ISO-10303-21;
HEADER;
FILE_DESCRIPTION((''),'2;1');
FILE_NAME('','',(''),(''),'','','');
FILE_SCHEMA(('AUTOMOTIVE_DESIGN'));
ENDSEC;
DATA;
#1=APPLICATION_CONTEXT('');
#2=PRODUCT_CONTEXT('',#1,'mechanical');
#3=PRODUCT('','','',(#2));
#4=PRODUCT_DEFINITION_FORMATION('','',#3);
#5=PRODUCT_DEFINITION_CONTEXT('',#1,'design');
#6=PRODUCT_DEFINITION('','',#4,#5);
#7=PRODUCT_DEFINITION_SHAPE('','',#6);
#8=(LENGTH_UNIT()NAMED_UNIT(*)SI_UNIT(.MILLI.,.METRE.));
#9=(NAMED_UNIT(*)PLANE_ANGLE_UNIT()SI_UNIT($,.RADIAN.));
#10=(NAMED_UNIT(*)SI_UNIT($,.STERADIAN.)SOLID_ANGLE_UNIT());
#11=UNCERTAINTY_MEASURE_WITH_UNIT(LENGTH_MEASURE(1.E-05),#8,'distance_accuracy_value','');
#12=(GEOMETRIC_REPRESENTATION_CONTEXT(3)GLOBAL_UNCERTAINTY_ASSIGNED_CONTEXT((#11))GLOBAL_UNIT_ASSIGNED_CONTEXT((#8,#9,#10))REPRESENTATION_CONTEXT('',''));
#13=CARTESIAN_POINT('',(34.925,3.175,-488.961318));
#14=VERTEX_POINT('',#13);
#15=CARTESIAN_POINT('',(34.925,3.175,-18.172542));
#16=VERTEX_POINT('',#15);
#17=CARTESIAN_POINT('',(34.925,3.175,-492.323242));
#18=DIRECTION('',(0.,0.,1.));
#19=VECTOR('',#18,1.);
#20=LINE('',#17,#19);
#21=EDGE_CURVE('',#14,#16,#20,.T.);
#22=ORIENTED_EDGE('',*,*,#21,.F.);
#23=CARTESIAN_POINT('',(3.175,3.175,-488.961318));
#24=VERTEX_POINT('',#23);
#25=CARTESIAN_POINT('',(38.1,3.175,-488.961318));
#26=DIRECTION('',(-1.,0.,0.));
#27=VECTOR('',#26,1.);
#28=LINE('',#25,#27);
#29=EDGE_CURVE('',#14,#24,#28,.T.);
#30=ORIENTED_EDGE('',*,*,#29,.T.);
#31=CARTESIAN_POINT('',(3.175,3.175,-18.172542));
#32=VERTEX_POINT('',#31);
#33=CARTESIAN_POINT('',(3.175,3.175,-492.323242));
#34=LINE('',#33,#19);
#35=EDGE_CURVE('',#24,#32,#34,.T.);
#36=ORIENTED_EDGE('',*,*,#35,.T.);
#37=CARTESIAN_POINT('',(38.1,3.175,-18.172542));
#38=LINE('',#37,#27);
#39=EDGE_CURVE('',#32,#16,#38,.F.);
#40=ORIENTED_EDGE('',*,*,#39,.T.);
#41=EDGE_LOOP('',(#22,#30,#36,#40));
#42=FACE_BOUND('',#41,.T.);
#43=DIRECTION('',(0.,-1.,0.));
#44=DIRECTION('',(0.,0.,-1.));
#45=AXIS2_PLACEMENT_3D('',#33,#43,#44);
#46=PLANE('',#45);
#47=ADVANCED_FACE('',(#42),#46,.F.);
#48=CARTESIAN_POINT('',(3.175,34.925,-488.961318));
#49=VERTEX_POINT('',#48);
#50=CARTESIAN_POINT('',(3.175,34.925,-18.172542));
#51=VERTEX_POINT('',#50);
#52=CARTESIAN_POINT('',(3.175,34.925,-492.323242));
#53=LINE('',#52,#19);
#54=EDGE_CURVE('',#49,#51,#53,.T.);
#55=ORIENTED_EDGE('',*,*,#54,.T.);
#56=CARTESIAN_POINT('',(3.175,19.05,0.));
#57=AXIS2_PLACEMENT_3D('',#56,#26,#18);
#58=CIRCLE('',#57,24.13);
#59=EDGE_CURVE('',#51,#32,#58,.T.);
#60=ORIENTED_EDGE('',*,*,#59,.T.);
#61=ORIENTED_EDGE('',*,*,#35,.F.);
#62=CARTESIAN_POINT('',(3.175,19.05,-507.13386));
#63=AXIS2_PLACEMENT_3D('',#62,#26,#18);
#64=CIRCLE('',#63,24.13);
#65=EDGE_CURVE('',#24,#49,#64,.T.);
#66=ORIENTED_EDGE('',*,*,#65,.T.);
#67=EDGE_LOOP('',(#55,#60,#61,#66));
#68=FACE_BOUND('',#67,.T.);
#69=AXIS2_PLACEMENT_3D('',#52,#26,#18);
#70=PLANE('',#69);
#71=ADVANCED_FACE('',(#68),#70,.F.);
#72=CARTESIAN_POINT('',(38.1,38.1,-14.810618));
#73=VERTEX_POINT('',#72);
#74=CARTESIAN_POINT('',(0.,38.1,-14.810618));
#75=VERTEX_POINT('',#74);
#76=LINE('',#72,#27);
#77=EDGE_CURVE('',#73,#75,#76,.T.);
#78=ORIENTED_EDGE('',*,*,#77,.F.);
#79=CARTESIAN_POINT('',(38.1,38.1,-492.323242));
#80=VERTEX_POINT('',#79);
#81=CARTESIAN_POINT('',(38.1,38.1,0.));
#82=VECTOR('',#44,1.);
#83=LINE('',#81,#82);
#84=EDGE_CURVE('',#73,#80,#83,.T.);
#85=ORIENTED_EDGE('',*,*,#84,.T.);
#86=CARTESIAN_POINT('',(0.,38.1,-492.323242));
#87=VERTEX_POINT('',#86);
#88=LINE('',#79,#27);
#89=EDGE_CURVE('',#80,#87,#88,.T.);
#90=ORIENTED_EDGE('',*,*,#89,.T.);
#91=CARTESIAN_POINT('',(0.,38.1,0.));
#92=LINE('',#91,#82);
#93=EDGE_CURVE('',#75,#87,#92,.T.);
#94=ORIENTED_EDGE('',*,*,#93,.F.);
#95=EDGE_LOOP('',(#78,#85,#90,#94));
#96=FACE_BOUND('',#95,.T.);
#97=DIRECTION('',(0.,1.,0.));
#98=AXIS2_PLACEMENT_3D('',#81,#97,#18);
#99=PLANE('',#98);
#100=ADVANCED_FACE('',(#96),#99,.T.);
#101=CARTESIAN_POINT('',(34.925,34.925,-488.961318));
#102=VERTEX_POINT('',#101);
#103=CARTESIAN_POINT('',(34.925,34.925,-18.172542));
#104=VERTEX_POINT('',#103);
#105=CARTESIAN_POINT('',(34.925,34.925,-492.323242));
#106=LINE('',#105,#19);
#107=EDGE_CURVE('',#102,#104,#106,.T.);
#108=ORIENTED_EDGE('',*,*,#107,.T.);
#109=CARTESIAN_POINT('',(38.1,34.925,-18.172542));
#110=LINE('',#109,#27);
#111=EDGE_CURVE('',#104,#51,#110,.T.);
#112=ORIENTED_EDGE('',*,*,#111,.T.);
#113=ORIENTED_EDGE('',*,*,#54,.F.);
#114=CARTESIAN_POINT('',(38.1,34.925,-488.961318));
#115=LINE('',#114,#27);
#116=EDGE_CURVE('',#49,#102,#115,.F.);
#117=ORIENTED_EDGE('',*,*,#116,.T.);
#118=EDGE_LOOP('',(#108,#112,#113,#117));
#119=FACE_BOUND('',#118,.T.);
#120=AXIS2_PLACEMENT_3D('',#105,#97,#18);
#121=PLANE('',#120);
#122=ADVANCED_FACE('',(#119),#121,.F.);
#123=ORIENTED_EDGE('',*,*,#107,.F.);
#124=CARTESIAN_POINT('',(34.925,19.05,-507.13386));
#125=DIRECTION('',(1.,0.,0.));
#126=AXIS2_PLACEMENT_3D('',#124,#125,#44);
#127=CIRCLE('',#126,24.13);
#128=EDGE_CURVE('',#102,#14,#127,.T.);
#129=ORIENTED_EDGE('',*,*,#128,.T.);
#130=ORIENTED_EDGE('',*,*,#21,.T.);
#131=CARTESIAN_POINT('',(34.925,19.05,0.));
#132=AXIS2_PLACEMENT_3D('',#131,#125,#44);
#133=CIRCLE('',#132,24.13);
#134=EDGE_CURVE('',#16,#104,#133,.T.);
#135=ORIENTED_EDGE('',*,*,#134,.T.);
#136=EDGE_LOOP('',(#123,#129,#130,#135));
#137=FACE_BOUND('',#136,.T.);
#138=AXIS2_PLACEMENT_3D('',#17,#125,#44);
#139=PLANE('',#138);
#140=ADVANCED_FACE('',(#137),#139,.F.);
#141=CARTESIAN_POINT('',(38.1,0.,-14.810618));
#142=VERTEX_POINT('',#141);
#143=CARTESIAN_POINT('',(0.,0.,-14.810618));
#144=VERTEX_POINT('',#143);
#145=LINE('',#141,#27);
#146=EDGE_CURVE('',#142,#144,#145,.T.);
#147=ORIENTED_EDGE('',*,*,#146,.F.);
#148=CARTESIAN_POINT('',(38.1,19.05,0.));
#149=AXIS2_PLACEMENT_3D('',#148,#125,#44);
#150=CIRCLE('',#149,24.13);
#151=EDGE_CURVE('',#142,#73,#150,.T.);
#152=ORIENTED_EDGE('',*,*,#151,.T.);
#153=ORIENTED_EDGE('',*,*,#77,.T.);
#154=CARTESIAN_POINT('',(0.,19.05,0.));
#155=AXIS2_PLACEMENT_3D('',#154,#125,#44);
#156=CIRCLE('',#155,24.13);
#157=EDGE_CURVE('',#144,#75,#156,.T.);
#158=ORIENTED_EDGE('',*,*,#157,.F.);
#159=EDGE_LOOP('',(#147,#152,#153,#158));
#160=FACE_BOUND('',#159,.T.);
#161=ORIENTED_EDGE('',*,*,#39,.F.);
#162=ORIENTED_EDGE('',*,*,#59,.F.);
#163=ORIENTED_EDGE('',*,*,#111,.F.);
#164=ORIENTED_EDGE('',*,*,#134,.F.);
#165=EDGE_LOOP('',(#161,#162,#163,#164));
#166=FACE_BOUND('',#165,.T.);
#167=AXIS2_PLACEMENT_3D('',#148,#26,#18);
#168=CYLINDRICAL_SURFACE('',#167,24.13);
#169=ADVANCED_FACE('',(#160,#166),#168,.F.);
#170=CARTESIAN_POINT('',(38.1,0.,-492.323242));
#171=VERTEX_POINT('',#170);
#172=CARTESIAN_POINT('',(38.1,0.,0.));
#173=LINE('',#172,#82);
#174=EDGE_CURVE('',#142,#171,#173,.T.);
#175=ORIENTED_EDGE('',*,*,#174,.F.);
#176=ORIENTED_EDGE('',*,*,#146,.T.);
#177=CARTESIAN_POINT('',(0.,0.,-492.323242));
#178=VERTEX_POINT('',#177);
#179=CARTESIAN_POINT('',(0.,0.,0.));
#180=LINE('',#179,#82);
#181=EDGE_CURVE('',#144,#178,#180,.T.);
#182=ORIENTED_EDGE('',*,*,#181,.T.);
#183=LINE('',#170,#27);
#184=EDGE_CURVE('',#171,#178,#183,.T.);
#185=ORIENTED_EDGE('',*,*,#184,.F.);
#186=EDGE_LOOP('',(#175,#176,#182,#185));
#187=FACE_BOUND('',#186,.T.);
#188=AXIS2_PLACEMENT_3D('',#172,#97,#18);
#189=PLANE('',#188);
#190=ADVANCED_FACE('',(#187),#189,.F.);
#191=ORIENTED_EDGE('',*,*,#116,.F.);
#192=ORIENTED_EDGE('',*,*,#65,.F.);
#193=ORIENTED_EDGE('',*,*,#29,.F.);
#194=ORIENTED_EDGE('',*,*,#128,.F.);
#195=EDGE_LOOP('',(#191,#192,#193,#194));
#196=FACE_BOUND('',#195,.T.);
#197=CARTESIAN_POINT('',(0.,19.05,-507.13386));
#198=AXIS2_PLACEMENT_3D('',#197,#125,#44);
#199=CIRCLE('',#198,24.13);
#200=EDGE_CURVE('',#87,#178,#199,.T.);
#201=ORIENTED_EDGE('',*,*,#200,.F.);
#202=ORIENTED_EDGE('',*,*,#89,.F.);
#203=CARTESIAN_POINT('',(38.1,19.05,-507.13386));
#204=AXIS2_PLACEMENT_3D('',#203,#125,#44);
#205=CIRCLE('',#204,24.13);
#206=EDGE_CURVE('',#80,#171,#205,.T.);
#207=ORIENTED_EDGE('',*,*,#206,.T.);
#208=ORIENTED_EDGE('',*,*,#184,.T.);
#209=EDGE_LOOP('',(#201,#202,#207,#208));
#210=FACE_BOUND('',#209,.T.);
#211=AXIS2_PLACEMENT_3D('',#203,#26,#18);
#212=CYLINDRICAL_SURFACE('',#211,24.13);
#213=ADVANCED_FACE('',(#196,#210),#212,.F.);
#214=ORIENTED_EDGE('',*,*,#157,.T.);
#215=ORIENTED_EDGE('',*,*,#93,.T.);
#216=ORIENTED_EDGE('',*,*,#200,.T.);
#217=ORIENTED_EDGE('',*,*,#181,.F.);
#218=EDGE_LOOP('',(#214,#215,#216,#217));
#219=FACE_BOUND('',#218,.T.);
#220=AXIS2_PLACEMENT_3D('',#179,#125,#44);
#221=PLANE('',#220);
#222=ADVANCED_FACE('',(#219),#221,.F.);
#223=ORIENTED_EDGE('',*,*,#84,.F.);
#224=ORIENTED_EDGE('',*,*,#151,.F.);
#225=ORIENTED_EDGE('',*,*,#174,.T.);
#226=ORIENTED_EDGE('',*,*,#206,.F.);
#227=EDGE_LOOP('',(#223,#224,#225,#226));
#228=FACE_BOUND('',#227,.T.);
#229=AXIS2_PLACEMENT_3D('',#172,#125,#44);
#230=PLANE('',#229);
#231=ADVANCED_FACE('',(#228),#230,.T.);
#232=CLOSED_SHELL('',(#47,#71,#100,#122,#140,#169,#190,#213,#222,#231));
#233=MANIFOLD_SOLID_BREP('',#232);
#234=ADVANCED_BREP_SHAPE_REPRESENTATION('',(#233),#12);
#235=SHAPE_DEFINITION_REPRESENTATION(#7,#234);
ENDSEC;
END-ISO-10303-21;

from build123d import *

# Parameters (mm, degrees)
BOSS_EXTRUDE1_DEPTH = 38.1
SKETCH3_W           = 31.75
SKETCH3_H           = 31.75
CUT_EXTRUDE1_DEPTH  = 496.262955204


with BuildPart() as part:
    # Sketch1 → Boss-Extrude1 (new body)
    with BuildSketch(Plane(origin=(0, 0, 0), x_dir=(0, 0, -1), z_dir=(1, 0, 0))):
        with BuildLine():
            ThreePointArc((24.13, 19.05), (21.675298243, 8.446305074), (14.810617813, 0))
            Line((14.810617813, 0), (492.323242187, 0))
            ThreePointArc((492.323242187, 0), (483.00386, 19.05), (492.323242187, 38.1))
            Line((492.323242187, 38.1), (14.810617813, 38.1))
            ThreePointArc((14.810617813, 38.1), (21.675298243, 29.653694926), (24.13, 19.05))
        make_face()
    extrude(amount=BOSS_EXTRUDE1_DEPTH)

    # Sketch3 → Cut-Extrude1 (cut, through all)
    with BuildSketch(Plane.XY):
        with Locations((19.05, 19.05)):
            Rectangle(SKETCH3_W, SKETCH3_H)
    extrude(amount=-CUT_EXTRUDE1_DEPTH, mode=Mode.SUBTRACT)


solid = part.part
